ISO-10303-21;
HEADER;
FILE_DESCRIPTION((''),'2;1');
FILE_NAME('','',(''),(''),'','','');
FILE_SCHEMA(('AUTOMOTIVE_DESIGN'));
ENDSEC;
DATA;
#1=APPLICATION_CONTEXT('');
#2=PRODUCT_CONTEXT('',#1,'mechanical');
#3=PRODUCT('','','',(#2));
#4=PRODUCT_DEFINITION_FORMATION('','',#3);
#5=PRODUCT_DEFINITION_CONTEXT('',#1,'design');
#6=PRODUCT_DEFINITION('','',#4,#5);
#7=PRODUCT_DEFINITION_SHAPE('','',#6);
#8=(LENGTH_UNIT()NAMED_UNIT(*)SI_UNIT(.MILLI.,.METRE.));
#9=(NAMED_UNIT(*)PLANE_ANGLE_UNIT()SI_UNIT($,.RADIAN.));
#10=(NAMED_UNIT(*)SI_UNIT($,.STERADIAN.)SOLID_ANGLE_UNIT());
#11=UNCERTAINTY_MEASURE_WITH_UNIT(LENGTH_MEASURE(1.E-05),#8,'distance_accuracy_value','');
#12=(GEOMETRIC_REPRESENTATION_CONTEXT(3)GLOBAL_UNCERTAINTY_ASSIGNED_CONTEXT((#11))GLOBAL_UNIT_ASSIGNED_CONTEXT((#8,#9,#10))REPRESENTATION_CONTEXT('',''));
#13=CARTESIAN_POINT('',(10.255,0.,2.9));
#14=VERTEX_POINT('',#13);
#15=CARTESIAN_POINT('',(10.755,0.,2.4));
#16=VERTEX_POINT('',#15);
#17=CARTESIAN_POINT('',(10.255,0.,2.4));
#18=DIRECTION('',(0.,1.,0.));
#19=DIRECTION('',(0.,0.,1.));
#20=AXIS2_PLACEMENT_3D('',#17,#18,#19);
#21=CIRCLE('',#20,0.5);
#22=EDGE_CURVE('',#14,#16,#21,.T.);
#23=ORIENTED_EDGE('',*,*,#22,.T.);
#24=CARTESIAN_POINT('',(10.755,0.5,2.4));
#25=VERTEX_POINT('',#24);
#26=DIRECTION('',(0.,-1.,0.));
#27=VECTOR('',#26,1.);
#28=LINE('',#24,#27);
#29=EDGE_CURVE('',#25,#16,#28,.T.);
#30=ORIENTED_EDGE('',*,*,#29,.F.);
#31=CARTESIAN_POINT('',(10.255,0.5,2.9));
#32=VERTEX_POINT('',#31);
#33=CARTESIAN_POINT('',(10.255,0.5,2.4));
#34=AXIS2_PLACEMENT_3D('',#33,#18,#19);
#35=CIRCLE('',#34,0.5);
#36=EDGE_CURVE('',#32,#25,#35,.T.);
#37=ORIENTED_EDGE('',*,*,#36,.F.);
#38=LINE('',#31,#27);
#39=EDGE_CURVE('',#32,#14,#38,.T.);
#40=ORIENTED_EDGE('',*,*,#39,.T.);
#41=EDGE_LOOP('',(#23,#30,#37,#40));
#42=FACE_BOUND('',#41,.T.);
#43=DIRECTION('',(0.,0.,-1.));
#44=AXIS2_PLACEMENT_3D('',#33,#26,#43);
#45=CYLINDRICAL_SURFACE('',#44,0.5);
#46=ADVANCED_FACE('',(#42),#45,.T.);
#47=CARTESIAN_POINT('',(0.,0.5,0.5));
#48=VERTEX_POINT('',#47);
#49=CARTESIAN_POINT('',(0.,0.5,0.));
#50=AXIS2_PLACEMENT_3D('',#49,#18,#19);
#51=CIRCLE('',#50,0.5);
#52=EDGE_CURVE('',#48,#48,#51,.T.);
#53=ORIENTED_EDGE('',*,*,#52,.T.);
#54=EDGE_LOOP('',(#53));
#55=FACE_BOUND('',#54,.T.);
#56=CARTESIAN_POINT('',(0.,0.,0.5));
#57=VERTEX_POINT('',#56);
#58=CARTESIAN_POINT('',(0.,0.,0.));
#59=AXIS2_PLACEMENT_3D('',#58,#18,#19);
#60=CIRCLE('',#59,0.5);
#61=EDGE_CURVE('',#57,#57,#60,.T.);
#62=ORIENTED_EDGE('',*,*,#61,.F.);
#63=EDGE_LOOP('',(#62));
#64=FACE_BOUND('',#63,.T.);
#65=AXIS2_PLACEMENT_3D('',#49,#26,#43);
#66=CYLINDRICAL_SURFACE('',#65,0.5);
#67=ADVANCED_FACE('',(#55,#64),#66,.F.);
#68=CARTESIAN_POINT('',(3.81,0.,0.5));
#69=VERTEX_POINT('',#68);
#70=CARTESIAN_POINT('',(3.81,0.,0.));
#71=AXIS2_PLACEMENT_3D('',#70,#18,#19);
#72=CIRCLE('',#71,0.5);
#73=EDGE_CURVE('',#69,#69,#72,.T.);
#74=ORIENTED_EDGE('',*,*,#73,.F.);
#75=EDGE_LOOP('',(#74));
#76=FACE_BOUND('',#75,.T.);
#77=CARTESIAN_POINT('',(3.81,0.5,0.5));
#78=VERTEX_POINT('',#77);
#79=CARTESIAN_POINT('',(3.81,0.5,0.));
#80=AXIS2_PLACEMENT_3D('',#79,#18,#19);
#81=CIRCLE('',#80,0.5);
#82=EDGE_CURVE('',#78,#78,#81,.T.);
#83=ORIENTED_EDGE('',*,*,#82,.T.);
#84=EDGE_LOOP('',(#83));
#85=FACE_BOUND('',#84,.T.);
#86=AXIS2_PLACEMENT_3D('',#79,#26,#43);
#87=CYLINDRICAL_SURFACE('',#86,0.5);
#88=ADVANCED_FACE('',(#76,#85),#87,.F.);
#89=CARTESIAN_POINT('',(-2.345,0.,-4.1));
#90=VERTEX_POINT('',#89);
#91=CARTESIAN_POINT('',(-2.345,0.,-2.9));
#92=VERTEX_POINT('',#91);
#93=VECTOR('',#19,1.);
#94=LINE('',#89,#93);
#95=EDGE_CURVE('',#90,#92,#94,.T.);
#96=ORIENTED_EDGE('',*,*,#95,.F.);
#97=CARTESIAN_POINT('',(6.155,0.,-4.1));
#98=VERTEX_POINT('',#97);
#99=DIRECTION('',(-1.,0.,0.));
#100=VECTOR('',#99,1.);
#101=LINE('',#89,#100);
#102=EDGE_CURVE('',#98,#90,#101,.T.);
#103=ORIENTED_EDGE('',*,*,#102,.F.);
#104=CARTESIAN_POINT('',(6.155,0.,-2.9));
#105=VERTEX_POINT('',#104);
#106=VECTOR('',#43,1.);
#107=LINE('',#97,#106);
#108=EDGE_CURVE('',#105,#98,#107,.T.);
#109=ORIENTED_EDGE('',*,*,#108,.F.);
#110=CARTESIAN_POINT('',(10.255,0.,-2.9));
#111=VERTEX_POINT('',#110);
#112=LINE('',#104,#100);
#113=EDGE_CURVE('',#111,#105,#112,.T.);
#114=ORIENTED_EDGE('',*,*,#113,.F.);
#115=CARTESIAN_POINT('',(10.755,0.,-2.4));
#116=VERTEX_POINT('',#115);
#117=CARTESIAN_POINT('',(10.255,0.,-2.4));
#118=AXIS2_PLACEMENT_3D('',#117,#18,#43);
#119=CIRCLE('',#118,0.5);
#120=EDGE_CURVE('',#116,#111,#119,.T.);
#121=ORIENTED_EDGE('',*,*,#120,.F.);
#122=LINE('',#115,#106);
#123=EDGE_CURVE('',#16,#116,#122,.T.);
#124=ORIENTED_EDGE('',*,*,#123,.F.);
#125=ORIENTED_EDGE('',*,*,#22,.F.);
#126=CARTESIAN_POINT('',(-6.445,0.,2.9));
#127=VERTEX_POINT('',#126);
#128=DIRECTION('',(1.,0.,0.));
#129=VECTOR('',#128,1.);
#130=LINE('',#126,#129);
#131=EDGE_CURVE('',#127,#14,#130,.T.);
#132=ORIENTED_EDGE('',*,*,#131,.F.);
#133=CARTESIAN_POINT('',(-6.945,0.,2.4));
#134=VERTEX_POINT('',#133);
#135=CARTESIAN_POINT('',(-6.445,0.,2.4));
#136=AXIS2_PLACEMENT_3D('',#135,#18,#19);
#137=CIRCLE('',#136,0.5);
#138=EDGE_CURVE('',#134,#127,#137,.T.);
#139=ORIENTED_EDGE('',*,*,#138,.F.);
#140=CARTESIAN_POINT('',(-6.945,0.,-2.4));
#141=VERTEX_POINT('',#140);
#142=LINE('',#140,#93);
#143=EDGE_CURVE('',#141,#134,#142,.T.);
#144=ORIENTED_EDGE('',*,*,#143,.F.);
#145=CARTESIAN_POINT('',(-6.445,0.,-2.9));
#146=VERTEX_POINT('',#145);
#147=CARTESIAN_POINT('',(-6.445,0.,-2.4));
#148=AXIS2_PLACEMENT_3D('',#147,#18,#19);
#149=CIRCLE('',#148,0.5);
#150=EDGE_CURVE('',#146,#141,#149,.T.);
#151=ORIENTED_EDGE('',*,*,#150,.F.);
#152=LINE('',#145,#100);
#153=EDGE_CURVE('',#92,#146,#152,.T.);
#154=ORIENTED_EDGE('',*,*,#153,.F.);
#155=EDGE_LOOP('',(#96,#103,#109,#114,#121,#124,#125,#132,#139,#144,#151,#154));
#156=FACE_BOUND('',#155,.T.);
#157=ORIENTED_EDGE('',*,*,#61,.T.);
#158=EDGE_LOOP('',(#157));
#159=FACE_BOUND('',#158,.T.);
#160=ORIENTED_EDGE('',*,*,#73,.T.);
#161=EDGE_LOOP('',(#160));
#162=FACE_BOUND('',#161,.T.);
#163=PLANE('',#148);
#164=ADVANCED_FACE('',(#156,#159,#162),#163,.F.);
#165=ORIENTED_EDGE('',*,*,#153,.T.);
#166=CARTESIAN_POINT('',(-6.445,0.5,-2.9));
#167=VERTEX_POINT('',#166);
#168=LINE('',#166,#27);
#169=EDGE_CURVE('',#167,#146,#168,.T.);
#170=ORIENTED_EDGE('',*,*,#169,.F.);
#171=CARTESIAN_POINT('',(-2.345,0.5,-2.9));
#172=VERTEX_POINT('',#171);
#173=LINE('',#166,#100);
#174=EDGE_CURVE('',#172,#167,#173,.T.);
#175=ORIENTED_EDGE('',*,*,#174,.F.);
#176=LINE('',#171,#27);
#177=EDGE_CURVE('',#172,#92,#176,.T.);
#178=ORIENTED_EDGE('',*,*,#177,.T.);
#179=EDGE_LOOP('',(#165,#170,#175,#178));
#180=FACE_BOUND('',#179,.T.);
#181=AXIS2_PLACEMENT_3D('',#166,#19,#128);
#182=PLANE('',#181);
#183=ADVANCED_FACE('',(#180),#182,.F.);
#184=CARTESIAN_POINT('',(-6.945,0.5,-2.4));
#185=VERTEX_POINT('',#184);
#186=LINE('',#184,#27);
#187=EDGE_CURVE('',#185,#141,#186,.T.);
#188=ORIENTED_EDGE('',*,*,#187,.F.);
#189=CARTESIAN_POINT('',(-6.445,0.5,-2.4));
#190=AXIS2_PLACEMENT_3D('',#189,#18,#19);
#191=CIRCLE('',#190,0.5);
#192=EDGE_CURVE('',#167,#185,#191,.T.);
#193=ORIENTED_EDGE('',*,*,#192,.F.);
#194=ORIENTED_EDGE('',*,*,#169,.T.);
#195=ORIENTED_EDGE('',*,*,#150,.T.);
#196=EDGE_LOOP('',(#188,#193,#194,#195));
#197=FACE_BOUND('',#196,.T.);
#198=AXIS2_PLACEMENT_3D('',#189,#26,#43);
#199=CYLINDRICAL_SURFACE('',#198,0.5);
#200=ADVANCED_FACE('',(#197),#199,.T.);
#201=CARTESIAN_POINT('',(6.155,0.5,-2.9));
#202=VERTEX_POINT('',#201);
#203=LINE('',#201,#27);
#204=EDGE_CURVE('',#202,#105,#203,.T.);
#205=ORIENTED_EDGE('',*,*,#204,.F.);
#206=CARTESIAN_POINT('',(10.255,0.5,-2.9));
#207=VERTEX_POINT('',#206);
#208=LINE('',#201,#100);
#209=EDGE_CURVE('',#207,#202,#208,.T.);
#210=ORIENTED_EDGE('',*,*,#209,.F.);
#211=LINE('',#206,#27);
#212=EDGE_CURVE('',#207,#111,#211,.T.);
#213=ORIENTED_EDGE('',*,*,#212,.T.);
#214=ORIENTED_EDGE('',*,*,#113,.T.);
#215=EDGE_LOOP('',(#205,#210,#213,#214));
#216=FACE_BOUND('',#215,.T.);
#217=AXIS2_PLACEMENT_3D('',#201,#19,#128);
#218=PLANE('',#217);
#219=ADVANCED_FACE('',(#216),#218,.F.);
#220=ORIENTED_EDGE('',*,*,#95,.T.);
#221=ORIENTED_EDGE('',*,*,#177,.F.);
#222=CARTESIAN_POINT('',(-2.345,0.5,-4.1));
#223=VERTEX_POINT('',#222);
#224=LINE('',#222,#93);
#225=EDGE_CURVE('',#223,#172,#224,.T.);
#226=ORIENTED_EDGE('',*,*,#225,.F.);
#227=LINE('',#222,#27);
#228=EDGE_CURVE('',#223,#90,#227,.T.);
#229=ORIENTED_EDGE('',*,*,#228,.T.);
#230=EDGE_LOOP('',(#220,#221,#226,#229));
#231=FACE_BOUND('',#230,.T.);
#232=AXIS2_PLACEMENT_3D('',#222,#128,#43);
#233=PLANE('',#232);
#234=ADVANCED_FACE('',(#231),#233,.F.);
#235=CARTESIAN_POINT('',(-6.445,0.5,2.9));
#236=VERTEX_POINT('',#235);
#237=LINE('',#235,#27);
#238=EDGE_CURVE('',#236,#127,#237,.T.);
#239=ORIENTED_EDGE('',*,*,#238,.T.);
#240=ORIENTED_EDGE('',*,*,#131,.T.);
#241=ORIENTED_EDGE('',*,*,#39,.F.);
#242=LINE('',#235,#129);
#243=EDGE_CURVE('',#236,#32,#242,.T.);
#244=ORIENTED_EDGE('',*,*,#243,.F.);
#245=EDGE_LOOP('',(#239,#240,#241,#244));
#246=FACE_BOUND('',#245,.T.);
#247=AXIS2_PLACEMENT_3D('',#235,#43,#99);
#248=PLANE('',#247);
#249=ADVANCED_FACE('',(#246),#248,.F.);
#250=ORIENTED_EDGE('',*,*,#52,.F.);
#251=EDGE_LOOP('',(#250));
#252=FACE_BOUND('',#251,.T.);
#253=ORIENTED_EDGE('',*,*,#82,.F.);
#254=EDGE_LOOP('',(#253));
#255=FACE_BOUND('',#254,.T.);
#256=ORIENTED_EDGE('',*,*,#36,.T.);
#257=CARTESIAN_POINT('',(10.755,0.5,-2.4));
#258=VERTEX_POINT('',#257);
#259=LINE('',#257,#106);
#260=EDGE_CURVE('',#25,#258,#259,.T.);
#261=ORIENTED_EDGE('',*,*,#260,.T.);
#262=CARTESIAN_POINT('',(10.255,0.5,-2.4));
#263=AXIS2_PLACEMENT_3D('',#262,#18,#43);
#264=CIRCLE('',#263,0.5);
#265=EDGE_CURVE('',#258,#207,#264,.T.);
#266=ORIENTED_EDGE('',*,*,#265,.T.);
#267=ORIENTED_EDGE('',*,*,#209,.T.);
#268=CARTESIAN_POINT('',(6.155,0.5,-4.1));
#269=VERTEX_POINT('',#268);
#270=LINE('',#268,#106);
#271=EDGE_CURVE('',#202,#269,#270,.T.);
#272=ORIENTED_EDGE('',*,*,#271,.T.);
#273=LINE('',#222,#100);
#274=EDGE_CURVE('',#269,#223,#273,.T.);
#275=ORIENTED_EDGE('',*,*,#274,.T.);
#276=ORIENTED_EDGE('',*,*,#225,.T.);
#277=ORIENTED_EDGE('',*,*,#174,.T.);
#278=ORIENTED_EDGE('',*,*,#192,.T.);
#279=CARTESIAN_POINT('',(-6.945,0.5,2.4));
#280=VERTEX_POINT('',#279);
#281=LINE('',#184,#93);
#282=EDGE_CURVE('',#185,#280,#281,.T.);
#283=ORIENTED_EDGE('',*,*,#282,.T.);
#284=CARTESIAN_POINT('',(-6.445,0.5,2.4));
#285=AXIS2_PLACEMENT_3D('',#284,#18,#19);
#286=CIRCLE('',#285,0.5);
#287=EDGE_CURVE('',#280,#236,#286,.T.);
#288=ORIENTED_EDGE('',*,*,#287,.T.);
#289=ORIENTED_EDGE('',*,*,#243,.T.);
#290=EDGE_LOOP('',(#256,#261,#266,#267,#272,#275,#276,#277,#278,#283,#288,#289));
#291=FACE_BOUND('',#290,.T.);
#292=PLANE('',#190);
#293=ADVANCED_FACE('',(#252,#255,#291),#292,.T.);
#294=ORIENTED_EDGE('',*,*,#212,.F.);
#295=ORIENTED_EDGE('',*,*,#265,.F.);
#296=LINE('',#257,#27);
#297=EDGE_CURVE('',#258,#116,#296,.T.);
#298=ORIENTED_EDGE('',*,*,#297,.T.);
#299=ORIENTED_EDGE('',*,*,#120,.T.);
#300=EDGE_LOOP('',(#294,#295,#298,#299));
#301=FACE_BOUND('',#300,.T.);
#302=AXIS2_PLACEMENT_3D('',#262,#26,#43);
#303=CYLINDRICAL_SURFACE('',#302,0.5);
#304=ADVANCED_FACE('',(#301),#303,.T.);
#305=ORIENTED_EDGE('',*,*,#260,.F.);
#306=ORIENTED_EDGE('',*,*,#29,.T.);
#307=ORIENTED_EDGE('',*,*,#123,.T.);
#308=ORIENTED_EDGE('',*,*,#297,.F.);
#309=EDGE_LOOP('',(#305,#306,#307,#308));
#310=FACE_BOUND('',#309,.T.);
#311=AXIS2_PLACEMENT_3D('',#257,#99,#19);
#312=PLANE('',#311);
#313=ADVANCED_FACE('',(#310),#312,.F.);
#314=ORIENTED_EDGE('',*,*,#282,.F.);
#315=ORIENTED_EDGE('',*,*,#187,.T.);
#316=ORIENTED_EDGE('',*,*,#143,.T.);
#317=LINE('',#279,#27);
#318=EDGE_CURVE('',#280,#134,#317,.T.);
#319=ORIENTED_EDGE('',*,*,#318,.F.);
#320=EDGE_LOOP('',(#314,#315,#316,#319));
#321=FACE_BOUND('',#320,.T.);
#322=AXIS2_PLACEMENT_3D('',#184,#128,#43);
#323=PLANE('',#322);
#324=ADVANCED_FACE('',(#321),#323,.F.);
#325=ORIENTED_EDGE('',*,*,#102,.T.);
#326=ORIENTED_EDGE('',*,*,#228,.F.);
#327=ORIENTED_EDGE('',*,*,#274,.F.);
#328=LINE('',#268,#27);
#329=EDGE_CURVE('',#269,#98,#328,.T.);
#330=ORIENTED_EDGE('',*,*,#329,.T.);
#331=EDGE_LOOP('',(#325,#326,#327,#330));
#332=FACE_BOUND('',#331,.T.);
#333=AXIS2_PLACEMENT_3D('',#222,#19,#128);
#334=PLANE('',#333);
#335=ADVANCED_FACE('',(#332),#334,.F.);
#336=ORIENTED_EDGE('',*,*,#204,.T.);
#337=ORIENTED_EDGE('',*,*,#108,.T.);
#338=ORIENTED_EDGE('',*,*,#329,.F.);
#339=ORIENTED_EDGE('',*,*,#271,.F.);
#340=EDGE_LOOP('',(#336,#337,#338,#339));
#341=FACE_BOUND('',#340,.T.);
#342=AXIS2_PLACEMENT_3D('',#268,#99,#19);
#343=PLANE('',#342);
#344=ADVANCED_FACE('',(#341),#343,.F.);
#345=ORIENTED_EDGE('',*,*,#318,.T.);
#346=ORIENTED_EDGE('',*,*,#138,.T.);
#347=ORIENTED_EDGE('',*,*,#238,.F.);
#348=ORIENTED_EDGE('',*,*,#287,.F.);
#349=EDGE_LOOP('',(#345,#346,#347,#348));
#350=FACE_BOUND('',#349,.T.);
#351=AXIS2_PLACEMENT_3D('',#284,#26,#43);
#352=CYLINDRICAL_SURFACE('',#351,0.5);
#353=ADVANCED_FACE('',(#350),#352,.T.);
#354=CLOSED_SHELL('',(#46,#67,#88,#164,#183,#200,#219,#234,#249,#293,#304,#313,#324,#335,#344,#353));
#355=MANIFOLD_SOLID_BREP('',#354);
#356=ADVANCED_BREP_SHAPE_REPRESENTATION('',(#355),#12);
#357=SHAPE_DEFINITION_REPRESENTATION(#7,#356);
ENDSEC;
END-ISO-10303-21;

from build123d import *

# Parameters (mm, degrees)
SKETCH1_R           = 0.5
BOSS_EXTRUDE1_DEPTH = 0.5


with BuildPart() as part:
    # Sketch1 → Boss-Extrude1 (new body)
    with BuildSketch(Plane(origin=(0, 0, 0), x_dir=(1, 0, 0), z_dir=(0, 1, 0))):
        with BuildLine():
            Line((6.155, 2.9), (10.255, 2.9))
            ThreePointArc((10.255, 2.9), (10.608553391, 2.753553391), (10.755, 2.4))
            Line((10.755, 2.4), (10.755, -2.4))
            ThreePointArc((10.755, -2.4), (10.608553391, -2.753553391), (10.255, -2.9))
            Line((10.255, -2.9), (-6.445, -2.9))
            ThreePointArc((-6.445, -2.9), (-6.798553391, -2.753553391), (-6.945, -2.4))
            Line((-6.945, -2.4), (-6.945, 2.4))
            ThreePointArc((-6.945, 2.4), (-6.798553391, 2.753553391), (-6.445, 2.9))
            Line((-6.445, 2.9), (-2.345, 2.9))
            Line((-2.345, 2.9), (-2.345, 4.1))
            Line((-2.345, 4.1), (6.155, 4.1))
            Line((6.155, 4.1), (6.155, 2.9))
        make_face()
        with Locations(Location((0, 0, 0), (0, 0, 270))):
            Circle(SKETCH1_R, mode=Mode.SUBTRACT)
        with Locations(Location((3.81, 0, 0), (0, 0, 270))):
            Circle(SKETCH1_R, mode=Mode.SUBTRACT)
    extrude(amount=BOSS_EXTRUDE1_DEPTH)


solid = part.part
